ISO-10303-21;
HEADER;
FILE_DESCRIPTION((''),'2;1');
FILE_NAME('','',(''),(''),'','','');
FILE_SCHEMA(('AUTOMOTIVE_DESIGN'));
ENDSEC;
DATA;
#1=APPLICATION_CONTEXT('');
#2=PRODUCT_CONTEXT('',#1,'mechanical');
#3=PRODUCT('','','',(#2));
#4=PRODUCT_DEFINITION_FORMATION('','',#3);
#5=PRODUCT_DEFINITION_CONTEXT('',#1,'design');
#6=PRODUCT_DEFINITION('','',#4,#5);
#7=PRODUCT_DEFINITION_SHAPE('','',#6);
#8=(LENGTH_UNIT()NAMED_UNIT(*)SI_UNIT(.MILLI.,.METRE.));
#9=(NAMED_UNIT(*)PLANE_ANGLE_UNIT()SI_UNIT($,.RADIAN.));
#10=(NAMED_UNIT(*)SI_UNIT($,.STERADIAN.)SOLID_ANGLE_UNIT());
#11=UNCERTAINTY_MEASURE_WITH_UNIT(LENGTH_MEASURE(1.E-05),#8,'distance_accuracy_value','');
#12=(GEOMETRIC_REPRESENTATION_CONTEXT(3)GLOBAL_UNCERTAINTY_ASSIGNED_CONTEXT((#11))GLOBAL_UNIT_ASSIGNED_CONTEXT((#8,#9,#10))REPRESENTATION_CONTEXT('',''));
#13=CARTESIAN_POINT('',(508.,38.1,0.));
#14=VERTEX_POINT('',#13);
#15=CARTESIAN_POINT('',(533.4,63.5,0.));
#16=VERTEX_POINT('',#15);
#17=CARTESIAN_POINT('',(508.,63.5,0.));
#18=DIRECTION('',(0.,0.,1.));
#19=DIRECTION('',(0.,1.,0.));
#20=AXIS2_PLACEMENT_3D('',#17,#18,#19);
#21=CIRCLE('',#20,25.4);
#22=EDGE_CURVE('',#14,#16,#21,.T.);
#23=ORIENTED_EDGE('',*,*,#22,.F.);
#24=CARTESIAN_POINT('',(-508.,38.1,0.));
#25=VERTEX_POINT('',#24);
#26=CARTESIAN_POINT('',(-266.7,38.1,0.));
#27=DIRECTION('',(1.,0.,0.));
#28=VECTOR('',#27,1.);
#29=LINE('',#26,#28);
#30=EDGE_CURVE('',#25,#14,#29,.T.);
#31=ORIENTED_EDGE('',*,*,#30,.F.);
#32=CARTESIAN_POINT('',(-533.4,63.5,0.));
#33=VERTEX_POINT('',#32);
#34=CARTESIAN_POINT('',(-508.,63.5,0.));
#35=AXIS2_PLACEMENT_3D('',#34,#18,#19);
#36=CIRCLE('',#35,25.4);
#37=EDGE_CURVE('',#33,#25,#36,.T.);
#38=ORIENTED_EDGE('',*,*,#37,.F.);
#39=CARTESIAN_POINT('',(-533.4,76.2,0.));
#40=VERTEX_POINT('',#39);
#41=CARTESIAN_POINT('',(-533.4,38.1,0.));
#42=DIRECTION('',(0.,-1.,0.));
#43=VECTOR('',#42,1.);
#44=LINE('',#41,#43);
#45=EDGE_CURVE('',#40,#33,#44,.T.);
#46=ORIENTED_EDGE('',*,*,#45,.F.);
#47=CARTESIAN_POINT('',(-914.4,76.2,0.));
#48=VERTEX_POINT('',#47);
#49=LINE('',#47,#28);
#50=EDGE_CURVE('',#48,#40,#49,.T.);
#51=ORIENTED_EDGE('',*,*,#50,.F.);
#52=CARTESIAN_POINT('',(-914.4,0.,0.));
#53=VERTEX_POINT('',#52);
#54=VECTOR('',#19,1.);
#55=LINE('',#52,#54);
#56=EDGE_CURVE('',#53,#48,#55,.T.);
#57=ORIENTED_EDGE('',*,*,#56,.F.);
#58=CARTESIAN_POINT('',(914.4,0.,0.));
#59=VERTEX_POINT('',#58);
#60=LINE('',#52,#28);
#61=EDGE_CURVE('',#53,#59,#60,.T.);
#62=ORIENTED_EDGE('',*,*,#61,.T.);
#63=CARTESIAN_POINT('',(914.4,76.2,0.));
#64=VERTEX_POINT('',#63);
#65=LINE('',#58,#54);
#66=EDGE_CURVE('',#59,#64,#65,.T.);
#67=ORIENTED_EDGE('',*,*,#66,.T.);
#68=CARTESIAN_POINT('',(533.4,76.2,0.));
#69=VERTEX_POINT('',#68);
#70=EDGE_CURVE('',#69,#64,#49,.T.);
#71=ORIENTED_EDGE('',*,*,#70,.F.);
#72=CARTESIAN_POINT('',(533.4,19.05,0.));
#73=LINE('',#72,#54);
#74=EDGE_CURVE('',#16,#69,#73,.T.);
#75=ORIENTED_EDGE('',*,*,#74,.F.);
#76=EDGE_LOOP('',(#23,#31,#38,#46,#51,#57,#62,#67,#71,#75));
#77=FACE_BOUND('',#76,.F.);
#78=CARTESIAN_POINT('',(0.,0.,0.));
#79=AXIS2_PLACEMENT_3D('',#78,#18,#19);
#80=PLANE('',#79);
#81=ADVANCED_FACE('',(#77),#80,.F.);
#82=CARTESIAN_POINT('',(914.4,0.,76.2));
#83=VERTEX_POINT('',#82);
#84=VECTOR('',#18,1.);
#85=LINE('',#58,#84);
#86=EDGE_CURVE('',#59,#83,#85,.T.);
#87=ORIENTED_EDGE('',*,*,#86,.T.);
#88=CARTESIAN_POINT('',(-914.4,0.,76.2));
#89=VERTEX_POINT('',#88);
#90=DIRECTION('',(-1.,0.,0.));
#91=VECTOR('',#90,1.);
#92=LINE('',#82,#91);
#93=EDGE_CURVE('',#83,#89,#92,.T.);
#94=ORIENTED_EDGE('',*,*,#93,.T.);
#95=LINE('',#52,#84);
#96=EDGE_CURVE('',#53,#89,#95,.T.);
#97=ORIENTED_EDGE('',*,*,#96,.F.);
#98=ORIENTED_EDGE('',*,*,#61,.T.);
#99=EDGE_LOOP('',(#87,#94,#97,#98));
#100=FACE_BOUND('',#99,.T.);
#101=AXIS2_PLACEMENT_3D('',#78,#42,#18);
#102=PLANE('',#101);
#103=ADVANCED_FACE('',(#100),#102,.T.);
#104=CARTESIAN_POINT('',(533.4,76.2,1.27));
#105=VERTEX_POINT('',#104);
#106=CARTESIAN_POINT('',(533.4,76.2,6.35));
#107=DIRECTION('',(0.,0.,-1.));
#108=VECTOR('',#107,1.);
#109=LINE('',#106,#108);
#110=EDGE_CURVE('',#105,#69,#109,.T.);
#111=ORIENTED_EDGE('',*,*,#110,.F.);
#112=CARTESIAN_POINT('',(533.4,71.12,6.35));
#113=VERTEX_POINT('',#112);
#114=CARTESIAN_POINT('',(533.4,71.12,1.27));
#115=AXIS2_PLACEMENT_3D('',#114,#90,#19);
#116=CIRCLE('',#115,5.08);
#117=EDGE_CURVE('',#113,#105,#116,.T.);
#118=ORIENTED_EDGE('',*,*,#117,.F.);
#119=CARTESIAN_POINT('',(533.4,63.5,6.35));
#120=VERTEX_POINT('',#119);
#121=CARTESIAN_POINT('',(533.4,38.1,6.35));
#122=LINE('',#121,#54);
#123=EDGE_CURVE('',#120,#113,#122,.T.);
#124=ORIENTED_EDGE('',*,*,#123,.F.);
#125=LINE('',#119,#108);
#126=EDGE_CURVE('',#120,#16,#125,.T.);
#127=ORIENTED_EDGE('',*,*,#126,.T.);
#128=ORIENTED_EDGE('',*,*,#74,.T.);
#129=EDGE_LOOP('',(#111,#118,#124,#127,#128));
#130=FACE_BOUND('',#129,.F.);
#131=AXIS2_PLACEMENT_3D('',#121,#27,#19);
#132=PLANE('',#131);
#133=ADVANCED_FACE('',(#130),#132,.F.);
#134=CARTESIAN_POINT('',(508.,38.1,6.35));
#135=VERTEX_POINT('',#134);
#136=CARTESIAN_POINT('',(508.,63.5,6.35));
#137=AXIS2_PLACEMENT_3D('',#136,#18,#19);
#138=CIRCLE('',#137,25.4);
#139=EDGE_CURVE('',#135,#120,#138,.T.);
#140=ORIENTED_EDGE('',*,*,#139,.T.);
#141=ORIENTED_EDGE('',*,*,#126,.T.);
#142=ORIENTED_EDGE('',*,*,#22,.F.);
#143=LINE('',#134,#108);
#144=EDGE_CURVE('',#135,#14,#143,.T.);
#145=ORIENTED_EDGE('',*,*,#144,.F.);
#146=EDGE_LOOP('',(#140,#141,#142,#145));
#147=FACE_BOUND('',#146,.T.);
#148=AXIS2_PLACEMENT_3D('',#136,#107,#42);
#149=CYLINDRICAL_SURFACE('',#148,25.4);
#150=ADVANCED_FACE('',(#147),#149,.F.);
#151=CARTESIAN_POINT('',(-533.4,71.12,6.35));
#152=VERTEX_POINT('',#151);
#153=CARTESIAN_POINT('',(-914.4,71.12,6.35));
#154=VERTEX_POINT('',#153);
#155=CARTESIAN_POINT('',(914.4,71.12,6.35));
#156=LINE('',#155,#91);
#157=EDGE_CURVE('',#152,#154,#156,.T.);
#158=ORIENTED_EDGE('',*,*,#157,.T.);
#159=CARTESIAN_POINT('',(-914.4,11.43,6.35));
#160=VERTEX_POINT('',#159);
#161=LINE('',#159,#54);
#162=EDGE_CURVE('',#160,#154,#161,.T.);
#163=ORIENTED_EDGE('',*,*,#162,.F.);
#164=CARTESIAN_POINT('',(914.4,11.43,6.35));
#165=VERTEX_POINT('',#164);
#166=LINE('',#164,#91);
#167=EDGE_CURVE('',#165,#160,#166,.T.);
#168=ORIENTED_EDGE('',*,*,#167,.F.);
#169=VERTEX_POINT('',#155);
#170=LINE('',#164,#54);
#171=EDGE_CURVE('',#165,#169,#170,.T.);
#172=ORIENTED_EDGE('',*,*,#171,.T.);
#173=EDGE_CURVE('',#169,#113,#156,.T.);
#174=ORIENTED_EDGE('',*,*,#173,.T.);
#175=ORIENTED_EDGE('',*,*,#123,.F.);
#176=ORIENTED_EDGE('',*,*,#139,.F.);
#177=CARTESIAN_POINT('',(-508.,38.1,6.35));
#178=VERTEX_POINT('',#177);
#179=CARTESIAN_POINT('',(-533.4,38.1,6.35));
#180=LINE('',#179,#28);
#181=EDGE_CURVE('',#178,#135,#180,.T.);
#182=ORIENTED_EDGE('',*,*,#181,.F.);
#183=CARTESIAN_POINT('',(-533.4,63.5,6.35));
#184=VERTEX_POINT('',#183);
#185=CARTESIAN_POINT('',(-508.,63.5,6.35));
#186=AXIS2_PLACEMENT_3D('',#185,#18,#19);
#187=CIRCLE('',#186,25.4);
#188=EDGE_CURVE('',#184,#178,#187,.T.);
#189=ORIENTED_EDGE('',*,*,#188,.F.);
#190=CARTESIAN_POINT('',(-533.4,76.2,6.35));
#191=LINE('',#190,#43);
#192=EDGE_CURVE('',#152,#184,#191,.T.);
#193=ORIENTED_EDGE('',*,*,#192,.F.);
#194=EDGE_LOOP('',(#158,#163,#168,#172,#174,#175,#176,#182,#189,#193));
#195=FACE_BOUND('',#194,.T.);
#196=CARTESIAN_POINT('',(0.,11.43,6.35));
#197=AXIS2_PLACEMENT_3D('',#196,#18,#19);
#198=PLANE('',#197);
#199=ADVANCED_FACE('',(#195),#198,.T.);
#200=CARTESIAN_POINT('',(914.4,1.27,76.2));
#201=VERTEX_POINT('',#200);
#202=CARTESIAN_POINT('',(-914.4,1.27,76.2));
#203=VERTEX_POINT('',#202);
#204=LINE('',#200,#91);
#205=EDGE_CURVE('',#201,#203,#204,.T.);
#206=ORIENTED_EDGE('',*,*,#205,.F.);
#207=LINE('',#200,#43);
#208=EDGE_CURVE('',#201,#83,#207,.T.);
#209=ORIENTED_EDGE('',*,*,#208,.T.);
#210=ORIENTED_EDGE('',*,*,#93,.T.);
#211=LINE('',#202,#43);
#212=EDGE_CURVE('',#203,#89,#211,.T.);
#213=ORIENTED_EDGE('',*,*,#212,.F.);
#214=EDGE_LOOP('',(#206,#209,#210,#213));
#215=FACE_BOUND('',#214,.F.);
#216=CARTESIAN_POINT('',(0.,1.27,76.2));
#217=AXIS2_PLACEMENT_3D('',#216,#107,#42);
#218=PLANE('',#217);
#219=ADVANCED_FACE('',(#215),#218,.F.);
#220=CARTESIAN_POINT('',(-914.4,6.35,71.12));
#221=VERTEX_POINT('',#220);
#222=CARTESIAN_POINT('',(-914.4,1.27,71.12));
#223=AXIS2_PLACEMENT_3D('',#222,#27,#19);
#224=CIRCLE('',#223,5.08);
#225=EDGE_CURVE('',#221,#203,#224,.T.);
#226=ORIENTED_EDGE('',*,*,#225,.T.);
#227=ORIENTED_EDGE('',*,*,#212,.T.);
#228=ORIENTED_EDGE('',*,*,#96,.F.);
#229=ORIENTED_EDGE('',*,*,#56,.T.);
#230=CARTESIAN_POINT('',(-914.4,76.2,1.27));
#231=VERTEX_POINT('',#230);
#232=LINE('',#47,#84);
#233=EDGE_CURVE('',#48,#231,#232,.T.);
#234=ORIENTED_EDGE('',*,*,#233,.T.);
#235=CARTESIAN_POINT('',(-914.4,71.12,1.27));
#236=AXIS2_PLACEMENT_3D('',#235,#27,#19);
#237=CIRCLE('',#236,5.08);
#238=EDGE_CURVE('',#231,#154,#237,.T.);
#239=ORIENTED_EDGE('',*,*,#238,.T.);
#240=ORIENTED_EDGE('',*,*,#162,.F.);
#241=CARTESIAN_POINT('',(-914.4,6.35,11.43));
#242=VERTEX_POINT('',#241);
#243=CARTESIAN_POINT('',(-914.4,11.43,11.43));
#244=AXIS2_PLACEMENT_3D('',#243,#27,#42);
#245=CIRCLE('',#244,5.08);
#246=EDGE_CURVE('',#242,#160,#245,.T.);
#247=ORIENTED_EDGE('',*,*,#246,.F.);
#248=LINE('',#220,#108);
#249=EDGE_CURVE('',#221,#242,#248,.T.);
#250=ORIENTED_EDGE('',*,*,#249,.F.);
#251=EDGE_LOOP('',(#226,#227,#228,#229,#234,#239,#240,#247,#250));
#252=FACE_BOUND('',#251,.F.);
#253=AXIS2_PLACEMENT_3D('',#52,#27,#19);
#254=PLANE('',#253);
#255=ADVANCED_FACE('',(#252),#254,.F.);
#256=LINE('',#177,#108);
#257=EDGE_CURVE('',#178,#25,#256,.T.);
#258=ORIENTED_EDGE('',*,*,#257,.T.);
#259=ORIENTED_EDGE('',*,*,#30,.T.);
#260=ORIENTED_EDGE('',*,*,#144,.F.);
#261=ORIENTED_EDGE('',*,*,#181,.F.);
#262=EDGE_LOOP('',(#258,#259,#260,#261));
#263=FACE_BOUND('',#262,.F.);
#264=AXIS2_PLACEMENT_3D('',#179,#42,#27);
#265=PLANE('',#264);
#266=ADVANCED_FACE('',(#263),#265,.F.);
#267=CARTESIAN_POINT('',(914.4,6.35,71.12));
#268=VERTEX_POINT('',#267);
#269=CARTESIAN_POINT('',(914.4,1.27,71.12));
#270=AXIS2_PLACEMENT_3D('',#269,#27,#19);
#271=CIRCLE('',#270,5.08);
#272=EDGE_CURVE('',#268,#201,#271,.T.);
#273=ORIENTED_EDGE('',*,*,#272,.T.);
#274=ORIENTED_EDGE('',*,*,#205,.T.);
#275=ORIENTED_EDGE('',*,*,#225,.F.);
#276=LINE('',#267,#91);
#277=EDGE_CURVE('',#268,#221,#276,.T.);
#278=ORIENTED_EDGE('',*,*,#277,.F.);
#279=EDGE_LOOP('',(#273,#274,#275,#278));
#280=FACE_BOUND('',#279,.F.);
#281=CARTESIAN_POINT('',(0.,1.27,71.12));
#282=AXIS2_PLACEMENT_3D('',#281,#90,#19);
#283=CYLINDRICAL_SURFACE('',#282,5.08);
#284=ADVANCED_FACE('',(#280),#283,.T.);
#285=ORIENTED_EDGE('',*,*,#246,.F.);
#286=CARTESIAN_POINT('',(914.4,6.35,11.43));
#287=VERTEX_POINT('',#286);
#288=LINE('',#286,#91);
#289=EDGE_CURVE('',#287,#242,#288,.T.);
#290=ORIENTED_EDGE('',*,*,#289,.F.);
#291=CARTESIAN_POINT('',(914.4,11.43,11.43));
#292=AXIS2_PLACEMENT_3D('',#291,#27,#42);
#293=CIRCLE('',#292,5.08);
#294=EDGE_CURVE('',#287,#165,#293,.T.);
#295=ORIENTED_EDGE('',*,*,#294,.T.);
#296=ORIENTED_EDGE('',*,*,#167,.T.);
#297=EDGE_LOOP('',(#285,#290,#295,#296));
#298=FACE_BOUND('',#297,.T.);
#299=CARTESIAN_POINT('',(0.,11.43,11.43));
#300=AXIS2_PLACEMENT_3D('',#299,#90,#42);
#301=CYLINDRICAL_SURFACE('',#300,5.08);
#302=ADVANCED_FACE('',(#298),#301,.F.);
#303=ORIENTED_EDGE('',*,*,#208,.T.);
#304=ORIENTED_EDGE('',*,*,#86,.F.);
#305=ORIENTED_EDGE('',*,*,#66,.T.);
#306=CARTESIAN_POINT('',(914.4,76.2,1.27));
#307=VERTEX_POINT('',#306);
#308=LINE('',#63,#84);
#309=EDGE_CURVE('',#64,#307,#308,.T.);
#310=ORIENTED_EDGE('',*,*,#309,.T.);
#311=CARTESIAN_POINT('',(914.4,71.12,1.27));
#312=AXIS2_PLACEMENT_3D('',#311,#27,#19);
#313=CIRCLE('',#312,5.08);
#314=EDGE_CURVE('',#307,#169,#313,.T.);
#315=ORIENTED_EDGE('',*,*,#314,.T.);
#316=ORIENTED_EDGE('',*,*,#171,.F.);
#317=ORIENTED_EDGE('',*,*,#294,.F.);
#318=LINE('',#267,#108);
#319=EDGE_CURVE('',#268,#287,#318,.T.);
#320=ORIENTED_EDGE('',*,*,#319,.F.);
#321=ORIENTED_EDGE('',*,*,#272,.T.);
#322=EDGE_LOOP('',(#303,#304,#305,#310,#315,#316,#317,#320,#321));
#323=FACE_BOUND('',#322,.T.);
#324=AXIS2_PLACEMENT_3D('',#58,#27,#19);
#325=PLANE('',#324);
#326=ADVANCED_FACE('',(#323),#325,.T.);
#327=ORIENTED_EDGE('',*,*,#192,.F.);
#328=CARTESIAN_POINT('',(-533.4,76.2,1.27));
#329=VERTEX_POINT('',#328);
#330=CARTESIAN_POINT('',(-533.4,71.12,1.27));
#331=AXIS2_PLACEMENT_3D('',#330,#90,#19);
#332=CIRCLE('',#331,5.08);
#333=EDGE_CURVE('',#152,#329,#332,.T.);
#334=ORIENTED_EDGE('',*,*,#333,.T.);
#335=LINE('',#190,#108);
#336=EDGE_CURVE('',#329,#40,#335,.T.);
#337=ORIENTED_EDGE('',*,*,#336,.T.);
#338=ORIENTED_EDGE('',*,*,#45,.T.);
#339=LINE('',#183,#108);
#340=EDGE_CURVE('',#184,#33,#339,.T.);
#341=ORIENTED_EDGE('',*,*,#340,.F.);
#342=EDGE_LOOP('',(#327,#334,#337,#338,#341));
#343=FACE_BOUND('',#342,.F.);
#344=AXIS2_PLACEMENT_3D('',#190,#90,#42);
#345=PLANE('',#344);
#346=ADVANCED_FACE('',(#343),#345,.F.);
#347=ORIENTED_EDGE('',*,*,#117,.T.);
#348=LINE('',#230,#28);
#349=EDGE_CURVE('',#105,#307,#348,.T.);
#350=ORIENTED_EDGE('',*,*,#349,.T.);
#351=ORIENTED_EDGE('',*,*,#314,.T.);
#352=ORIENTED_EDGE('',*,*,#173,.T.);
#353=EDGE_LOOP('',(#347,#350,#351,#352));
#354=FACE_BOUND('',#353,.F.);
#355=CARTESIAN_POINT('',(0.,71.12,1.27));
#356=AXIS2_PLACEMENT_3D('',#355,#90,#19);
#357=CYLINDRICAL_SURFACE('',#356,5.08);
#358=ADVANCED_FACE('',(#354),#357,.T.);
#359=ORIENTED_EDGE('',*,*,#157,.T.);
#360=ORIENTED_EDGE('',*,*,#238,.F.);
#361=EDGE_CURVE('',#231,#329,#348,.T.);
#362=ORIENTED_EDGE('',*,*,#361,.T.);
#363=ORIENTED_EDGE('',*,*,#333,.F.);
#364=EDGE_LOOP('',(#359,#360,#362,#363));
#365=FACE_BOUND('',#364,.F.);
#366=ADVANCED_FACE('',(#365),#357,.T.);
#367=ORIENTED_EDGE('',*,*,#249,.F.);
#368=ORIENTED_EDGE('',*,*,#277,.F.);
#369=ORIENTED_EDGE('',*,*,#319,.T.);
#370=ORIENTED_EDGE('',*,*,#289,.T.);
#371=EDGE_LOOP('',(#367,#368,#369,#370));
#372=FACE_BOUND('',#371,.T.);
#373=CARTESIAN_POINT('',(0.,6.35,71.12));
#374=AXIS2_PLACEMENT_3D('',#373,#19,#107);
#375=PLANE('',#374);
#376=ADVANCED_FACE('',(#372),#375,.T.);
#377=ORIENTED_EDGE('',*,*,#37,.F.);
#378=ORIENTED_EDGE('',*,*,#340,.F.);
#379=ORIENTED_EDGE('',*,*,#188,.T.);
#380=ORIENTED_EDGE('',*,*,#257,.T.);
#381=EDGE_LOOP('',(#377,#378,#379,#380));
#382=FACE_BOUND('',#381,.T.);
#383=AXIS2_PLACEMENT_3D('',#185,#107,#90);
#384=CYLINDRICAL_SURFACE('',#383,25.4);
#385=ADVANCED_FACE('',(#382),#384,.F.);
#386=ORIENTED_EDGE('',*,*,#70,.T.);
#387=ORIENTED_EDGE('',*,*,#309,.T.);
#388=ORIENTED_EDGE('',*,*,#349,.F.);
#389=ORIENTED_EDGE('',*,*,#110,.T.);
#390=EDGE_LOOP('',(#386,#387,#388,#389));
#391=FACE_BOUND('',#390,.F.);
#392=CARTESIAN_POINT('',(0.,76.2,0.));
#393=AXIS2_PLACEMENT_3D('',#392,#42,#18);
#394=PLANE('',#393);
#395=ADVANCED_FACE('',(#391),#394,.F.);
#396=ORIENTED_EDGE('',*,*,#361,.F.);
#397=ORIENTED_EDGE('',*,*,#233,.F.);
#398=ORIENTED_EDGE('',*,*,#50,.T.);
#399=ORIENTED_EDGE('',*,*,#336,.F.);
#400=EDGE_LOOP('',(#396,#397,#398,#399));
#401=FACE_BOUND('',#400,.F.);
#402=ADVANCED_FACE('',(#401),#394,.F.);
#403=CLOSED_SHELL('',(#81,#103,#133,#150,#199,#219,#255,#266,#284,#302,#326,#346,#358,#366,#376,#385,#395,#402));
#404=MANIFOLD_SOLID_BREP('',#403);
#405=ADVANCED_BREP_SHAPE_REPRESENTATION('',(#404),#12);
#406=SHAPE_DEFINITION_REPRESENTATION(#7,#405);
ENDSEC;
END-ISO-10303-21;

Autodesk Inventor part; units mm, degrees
ref_plane "YZ Plane" through (0, 0, 0) normal (1, 0, 0) x (0, 1, 0)
ref_plane "XZ Plane" through (0, 0, 0) normal (0, 1, 0) x (-1, 0, 0)
ref_plane "XY Plane" through (0, 0, 0) normal (0, 0, 1) x (1, 0, 0)
sketch "Sketch1" plane through (0, 0, 0) normal (1, 0, 0) x (0, 1, 0)
  line L0 (0, 0) -> (76.2, 0)
  line L1 (0, 0) -> (0, 76.2)
  arc A0 (6.35, 71.12) -> (1.27, 76.2) centre (1.27, 71.12) ccw
  arc A1 (76.2, 1.27) -> (71.12, 6.35) centre (71.12, 1.27) ccw
  line L2 (76.2, 0) -> (76.2, 1.27)
  line L3 (1.27, 76.2) -> (0, 76.2)
  arc A2 (6.35, 11.43) -> (11.43, 6.35) centre (11.43, 11.43) ccw
  line L4 (6.35, 71.12) -> (6.35, 11.43)
  line L5 (11.43, 6.35) -> (71.12, 6.35)
  dimension "d0" = 76.2
  dimension "d1" = 76.2
  dimension "d2" = 10.16
  dimension "d3" = 10.16
  dimension "d4" = 10.16
  dimension "d5" = 6.35
extrude "Extrusion1" add sketch "Sketch1" along normal mid plane 1828.8
sketch "Sketch2" plane through (-914.4, 11.43, 6.35) normal (0, 0, 1) x (1, 0, 0)
  line L0 (381, 26.67) -> (1447.8, 26.67)
  line L1 (1447.8, 26.67) -> (1447.8, 64.77)
  line L2 (1447.8, 64.77) -> (381, 64.77)
  line L3 (381, 64.77) -> (381, 26.67)
  line L4 (381, 26.67) -> (1447.8, 64.77) construction
  line L5 (1447.8, 26.67) -> (381, 64.77) construction
  line L6 (0, 64.77) -> (1828.8, 64.77) projected
  line L7 (1828.8, -10.16) -> (0, -10.16) projected
  point P0 (914.4, -11.43)
  point P1 (914.4, 45.72)
  point P2 (914.4, 45.72)
  point P3 (914.4, -10.16)
  dimension "d8" = 1066.8
  dimension "d9" = 38.1
extrude "Extrusion2" cut sketch "Sketch2" against normal through all
fillet "Fillet1" radius 25.4 2 edges at (-533.4, 38.1, 3.175) (533.4, 38.1, 3.175)
properties part number "FE-120-001 Floor L Section" material "Aluminum 6061"
